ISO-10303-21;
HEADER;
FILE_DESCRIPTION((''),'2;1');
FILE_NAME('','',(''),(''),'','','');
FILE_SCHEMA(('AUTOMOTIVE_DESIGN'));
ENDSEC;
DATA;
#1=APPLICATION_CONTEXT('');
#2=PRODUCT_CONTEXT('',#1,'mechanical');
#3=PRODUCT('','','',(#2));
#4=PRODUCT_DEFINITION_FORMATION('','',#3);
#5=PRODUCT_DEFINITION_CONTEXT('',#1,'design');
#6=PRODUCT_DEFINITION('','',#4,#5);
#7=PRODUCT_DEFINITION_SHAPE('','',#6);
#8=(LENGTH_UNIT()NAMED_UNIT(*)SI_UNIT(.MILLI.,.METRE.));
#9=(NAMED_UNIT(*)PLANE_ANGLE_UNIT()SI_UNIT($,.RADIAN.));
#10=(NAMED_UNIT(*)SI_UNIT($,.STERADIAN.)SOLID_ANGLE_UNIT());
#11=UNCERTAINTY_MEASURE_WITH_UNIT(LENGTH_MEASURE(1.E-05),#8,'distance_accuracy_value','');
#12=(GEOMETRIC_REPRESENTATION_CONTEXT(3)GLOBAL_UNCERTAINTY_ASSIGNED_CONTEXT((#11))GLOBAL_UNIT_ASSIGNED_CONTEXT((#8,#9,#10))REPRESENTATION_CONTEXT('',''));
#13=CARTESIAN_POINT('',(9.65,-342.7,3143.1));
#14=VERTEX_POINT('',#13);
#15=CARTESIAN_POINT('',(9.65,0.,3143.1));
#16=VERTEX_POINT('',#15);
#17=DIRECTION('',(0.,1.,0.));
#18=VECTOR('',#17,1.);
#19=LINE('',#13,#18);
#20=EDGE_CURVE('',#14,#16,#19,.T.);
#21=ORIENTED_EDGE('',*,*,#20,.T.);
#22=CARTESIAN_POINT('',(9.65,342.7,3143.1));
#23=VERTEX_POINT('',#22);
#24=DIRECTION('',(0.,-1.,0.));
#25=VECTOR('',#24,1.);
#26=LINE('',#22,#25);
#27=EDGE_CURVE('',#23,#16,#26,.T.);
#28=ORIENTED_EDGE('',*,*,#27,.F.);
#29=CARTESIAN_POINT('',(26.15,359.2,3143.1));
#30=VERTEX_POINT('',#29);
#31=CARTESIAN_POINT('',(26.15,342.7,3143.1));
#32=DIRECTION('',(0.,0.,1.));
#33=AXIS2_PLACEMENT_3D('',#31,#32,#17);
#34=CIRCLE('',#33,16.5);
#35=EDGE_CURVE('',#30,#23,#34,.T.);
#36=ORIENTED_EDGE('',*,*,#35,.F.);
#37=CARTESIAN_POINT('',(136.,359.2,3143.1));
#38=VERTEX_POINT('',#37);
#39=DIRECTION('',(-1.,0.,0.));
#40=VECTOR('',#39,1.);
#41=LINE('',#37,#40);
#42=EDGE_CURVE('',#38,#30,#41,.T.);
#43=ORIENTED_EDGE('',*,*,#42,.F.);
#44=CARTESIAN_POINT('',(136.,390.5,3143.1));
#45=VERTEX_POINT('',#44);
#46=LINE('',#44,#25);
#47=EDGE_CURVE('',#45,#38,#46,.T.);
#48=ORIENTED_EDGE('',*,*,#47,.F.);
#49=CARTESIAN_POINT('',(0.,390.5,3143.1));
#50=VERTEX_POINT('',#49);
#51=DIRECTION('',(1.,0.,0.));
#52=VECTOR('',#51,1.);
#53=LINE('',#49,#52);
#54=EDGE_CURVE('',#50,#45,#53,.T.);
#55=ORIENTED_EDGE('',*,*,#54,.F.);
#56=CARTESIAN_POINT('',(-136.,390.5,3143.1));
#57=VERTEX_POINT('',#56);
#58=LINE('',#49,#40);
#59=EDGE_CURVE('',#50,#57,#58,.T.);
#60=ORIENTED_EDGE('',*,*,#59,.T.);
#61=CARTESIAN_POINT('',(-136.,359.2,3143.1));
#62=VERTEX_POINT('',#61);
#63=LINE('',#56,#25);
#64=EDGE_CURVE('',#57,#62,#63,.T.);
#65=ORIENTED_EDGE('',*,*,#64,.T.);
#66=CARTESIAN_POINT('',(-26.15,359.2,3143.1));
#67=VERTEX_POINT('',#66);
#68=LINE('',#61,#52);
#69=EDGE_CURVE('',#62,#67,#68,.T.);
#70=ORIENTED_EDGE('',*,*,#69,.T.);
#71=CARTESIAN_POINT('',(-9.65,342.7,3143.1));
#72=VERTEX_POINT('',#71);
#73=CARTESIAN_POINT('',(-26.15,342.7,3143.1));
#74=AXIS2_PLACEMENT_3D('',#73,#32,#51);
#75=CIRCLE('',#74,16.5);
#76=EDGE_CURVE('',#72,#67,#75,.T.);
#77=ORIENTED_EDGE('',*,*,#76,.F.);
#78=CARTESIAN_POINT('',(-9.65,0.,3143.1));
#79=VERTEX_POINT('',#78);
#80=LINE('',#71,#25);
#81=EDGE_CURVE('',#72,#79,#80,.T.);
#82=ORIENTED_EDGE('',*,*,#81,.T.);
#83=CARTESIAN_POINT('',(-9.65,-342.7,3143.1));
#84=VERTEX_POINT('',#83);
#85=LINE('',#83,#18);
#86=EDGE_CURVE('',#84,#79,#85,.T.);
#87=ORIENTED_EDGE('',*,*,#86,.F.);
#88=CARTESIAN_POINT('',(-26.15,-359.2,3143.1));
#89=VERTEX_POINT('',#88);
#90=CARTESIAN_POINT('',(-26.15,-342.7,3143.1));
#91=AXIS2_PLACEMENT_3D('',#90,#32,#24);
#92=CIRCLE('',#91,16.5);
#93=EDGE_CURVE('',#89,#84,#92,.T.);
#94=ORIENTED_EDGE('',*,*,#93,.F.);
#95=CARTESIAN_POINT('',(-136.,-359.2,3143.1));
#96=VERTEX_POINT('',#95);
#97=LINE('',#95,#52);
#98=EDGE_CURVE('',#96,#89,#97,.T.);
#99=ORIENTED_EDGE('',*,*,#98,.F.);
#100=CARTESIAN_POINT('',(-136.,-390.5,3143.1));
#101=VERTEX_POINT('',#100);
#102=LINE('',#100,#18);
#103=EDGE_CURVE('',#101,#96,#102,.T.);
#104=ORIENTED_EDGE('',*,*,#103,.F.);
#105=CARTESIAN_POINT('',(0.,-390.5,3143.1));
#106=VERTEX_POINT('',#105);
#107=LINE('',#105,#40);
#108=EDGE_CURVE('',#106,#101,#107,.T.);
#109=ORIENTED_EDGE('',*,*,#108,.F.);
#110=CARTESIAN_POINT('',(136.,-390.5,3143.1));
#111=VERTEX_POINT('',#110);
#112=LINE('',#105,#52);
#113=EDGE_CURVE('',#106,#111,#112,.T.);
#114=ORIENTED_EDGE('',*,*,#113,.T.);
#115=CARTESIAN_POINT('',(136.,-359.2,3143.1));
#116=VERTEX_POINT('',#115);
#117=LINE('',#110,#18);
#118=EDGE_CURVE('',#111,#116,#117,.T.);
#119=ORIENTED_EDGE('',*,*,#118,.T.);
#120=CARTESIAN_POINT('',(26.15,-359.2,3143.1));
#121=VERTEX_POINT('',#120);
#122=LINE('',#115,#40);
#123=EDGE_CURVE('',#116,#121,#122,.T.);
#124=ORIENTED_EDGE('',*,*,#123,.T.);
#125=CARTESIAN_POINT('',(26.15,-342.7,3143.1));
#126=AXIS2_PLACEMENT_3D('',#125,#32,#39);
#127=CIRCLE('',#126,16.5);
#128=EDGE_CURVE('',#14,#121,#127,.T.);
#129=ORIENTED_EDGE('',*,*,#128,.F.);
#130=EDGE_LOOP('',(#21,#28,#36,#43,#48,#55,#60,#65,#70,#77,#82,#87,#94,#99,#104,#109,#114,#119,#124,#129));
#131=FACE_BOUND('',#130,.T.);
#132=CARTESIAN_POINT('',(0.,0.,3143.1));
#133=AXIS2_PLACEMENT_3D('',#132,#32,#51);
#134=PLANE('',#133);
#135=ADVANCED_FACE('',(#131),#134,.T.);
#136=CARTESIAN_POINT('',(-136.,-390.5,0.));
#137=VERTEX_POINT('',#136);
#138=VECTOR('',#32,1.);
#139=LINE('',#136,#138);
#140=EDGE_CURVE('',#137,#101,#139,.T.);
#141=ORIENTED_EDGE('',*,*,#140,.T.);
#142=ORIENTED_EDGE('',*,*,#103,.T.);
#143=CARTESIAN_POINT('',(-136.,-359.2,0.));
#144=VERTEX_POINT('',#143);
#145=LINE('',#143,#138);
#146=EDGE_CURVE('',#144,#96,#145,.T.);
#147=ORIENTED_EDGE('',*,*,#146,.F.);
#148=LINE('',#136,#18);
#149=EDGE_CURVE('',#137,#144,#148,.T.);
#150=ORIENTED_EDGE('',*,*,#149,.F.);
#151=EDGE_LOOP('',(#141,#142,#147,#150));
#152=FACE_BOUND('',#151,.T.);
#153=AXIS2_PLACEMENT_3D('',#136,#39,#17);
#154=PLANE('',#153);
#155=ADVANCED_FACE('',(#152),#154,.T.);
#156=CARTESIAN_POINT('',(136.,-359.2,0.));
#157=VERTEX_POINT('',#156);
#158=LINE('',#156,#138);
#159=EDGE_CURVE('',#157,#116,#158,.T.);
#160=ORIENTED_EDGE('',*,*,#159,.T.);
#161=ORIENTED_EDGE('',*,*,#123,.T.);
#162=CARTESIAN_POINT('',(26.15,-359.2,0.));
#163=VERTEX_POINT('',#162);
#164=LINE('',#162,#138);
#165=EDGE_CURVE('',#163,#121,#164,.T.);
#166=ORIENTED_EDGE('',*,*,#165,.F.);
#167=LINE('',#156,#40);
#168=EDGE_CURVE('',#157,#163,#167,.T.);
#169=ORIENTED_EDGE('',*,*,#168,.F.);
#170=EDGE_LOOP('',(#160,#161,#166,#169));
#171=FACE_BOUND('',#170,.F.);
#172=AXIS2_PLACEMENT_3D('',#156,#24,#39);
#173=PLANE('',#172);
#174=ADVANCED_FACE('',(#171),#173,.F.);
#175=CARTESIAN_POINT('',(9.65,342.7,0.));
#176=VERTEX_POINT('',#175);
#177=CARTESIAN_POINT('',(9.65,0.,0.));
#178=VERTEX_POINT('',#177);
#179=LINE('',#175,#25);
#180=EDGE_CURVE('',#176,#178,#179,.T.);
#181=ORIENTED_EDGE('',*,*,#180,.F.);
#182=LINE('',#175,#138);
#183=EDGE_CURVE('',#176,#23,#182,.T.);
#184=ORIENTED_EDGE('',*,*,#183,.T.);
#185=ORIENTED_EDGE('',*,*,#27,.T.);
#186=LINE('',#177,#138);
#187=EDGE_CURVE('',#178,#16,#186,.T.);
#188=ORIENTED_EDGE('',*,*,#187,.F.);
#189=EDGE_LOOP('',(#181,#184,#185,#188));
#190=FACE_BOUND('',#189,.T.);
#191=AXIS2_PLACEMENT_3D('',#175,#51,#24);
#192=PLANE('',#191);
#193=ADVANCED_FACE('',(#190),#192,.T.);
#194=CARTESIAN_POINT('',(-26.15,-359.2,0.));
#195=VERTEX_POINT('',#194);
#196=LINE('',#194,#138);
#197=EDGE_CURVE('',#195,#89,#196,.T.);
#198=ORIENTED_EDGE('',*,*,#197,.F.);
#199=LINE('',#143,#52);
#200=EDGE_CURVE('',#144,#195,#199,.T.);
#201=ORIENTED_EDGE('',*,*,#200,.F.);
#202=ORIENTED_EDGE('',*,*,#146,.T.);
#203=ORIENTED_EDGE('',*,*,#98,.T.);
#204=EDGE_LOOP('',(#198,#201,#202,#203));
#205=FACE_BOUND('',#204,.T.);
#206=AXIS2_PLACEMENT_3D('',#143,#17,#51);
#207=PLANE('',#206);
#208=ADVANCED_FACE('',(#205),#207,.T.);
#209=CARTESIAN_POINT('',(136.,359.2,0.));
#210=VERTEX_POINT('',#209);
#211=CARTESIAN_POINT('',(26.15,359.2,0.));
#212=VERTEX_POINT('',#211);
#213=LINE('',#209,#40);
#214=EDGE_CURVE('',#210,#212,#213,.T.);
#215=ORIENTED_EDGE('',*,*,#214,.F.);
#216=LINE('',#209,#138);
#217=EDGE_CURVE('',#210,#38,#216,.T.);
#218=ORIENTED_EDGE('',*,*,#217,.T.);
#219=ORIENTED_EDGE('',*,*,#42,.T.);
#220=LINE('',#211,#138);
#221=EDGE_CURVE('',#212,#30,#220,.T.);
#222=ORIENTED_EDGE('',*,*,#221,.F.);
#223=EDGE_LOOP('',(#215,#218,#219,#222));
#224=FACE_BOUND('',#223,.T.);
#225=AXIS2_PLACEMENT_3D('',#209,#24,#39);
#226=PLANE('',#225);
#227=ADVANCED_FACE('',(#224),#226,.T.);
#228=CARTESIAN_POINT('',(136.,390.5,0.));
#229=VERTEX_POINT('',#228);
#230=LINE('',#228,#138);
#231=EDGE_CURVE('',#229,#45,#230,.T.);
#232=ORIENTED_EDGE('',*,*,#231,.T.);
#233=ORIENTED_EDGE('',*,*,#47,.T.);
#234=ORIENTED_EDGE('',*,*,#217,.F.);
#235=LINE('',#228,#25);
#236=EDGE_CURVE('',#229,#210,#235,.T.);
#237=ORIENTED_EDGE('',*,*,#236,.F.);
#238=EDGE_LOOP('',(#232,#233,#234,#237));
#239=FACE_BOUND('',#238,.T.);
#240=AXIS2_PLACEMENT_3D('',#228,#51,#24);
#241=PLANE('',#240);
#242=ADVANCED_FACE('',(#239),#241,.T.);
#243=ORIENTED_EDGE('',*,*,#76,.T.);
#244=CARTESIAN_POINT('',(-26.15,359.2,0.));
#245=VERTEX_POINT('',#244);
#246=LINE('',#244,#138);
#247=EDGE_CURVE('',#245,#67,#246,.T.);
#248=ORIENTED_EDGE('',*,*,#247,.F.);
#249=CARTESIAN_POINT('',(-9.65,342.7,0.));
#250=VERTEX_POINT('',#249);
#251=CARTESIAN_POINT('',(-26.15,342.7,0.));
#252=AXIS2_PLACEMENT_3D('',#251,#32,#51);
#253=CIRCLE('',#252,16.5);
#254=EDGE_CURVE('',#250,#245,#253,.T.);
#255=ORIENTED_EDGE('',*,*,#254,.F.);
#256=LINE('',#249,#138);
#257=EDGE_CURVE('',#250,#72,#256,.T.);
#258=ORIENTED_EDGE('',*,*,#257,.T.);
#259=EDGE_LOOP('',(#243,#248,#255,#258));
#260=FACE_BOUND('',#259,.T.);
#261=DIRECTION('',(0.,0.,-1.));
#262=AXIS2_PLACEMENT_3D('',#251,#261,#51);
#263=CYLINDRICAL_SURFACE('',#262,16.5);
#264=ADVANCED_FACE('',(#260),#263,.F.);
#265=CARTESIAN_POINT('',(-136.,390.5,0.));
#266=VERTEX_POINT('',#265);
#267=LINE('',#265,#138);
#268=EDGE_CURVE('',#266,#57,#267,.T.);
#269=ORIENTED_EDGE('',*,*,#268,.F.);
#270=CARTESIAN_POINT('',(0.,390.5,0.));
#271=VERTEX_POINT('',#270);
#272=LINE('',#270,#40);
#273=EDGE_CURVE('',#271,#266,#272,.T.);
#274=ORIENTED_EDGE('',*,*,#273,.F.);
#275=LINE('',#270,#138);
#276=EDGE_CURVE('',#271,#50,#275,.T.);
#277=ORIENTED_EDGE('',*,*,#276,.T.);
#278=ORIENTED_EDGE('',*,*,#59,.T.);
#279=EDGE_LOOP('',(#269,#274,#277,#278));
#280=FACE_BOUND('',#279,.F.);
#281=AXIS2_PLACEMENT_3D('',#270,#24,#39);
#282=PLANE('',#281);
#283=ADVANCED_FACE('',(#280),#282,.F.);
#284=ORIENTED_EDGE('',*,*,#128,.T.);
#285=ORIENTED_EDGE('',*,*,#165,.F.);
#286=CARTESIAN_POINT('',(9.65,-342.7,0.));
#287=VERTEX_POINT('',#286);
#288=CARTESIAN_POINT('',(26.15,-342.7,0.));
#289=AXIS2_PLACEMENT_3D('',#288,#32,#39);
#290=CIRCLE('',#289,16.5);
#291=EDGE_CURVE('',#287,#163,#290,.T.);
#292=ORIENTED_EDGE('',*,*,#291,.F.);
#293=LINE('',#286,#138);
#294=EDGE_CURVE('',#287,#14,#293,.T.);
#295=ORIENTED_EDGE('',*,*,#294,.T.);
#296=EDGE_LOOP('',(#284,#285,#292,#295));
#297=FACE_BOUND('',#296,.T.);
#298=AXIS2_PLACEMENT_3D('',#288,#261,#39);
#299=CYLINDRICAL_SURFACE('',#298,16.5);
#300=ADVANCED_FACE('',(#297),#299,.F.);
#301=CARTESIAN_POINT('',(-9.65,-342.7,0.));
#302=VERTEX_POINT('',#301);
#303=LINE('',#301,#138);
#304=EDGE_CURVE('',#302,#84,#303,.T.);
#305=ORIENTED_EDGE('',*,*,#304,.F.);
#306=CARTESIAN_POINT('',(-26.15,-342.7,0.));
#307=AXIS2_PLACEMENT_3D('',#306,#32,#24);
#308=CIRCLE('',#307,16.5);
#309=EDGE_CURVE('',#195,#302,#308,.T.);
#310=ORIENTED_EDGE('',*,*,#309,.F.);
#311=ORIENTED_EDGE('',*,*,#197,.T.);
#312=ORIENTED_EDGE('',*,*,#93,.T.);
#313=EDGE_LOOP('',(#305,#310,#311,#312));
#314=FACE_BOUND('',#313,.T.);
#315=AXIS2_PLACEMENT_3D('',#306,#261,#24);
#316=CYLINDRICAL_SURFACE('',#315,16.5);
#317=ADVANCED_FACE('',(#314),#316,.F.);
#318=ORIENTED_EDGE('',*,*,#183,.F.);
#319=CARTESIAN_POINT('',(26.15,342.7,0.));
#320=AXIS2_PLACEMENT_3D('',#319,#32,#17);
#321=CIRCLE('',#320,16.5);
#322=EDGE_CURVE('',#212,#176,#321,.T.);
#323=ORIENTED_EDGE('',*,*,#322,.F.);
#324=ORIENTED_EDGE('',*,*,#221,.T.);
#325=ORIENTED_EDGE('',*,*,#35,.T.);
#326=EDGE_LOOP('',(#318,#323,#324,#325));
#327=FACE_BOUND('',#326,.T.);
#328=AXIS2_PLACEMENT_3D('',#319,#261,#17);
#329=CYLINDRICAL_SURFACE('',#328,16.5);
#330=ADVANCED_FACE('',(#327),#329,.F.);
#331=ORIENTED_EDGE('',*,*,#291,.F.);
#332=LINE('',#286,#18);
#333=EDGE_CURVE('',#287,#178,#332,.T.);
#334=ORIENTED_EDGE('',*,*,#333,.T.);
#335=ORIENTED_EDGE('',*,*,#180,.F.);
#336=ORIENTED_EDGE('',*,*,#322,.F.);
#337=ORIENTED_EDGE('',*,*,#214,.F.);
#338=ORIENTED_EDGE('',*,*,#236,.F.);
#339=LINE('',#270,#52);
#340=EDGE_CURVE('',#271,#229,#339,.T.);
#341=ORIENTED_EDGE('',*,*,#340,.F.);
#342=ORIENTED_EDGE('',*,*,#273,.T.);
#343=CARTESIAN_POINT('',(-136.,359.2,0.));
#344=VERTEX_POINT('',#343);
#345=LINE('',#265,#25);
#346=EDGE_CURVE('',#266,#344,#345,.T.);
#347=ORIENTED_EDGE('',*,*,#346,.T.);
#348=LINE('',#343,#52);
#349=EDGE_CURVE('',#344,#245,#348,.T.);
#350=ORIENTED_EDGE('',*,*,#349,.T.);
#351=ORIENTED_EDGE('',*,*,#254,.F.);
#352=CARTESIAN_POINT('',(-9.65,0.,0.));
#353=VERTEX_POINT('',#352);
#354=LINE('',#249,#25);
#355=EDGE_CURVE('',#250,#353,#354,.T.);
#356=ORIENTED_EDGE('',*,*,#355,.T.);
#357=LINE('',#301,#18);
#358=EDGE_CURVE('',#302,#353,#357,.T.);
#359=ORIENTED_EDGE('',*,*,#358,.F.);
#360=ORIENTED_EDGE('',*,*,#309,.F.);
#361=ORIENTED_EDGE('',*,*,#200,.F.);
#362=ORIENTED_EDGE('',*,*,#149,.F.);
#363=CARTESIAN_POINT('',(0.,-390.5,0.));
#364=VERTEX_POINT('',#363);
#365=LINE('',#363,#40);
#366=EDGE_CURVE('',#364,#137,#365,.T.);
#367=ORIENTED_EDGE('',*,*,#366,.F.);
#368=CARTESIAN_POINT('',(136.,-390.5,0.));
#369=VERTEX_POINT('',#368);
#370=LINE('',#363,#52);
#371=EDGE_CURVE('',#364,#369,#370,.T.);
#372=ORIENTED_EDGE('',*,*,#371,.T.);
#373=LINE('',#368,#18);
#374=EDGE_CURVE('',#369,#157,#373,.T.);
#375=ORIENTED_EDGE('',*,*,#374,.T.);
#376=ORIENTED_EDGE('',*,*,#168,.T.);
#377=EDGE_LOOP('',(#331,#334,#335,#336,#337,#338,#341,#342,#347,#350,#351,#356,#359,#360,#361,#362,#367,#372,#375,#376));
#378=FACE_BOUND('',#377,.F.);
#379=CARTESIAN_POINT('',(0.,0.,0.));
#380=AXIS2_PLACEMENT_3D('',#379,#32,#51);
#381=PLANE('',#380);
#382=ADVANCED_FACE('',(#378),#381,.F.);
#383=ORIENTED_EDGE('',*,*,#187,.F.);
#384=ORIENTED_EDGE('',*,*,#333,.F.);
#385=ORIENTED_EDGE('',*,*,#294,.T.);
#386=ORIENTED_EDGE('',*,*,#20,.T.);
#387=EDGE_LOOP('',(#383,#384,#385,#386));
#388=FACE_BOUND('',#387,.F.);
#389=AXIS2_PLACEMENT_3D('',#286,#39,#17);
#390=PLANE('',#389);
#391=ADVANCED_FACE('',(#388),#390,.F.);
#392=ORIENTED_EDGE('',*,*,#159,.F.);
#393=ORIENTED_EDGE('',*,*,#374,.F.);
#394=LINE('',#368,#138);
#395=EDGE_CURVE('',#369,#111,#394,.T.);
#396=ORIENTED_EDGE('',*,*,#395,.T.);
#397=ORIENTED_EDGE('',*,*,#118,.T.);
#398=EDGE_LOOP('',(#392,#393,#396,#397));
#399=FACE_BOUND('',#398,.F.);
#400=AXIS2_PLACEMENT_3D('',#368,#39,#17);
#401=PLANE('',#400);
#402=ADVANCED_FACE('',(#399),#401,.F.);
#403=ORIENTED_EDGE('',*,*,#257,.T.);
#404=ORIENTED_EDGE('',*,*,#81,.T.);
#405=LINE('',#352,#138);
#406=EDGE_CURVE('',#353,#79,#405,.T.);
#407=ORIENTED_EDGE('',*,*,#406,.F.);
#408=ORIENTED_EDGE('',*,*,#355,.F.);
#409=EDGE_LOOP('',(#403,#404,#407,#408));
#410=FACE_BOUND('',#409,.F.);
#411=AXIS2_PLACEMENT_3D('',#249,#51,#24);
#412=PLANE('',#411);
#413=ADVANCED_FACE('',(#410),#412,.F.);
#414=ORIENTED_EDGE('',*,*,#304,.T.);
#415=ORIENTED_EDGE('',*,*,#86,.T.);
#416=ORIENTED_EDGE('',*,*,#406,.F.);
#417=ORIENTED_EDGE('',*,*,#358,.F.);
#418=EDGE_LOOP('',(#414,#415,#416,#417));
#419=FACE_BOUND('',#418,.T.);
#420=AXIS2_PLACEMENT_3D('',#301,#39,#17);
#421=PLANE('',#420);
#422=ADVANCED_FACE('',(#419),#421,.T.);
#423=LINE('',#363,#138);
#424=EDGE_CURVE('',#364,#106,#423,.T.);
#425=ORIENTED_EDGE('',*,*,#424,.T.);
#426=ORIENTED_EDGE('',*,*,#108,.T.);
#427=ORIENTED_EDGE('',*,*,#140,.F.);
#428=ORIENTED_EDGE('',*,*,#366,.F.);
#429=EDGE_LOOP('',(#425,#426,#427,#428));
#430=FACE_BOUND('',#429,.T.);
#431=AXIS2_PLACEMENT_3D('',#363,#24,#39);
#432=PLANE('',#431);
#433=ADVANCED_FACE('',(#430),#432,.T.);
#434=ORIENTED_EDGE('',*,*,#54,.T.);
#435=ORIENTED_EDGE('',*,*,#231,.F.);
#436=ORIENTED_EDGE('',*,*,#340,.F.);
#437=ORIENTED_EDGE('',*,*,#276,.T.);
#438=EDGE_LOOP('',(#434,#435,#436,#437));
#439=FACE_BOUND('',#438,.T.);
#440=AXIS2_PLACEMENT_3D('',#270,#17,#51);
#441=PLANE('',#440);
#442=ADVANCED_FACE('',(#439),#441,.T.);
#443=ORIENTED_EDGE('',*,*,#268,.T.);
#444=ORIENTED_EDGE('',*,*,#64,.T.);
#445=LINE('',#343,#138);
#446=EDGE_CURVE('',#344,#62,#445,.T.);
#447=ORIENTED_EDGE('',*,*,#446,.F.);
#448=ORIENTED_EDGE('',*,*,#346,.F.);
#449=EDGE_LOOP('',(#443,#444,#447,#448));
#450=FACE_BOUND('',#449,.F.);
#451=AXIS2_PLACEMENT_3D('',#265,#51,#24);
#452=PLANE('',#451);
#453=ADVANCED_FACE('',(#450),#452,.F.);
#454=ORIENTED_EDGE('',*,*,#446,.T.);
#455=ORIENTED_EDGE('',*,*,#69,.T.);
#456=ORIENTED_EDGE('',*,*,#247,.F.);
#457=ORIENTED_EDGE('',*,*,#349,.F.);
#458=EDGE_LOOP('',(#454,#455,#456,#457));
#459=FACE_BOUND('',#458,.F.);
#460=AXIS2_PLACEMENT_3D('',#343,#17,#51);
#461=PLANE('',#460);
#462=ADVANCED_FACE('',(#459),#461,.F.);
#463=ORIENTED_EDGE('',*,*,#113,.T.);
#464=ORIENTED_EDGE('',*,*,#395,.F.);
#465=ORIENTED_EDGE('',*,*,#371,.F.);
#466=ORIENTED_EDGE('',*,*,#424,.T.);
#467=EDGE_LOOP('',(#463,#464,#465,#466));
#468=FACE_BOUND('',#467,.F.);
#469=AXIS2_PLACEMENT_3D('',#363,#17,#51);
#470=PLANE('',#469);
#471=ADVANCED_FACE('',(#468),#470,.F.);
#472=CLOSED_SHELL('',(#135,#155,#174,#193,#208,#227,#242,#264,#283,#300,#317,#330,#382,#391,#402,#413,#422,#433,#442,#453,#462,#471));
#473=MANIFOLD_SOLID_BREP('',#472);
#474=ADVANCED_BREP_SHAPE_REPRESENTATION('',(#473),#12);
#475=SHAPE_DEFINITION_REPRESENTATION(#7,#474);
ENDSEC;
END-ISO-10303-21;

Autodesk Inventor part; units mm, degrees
ref_plane "YZ Plane" through (0, 0, 0) normal (1, 0, 0) x (0, 1, 0)
ref_plane "Start plane" through (0, 0, 0) normal (0, 0, 1) x (1, 0, 0)
ref_plane "End plane" through (0, 0, 3143.1) normal (0, 0, 1) x (1, 0, 0)
sketch "Sketch" plane through (0, 0, 0) normal (0, 0, 1) x (1, 0, 0)
  line L0 (-136, -390.5) -> (-136, -359.2)
  line L1 (-136, -359.2) -> (-26.15, -359.2)
  line L2 (-9.65, -342.7) -> (-9.65, 0)
  line L3 (-9.65, 0) -> (0, 0) construction
  line L4 (0, 0) -> (0, -390.5) construction
  line L5 (0, -390.5) -> (-136, -390.5)
  line L6 (-60, 0) -> (80, 0) construction
  line L7 (0, -60) -> (0, 80) construction
  line L8 (136, -390.5) -> (136, -359.2)
  line L9 (136, -359.2) -> (26.15, -359.2)
  line L10 (9.65, -342.7) -> (9.65, 0)
  line L11 (9.65, 0) -> (0, 0) construction
  line L12 (0, -390.5) -> (136, -390.5)
  line L13 (-136, 390.5) -> (-136, 359.2)
  line L14 (-136, 359.2) -> (-26.15, 359.2)
  line L15 (-9.65, 342.7) -> (-9.65, 0)
  line L16 (0, 390.5) -> (-136, 390.5)
  line L17 (136, 390.5) -> (136, 359.2)
  line L18 (136, 359.2) -> (26.15, 359.2)
  line L19 (0, 390.5) -> (136, 390.5)
  line L20 (9.65, 342.7) -> (9.65, 0)
  arc A0 (-9.65, 342.7) -> (-26.15, 359.2) centre (-26.15, 342.7) ccw
  arc A1 (26.15, 359.2) -> (9.65, 342.7) centre (26.15, 342.7) ccw
  arc A2 (9.65, -342.7) -> (26.15, -359.2) centre (26.15, -342.7) ccw
  arc A3 (-26.15, -359.2) -> (-9.65, -342.7) centre (-26.15, -342.7) ccw
  line L21 (0, 108) -> (0, -88) construction
  line L22 (-88, 0) -> (108, 0) construction
  point P0 (-9.65, -359.2)
  point P1 (9.65, -359.2)
  point P2 (-9.65, 359.2)
  point P3 (9.65, 359.2)
  dimension "d1" = 390.5
  dimension "d2" = 31.3
  dimension "d3" = 136
  dimension "d4" = 9.65
  dimension "d10" = 16.5
extrude "Body" add sketch "Sketch" along normal up to surface (3143.1 mm away) from surface at 0
sketch "Sketch4" plane through (0, 0, 0) normal (0, 0, 1) x (1, 0, 0)
  line L0 (0, 0) -> (10, 0)
ref_plane "Work Plane3" through (0, 0, 0) normal (0, -1, 0) x (1, 0, 0)
sketch "Sketch5" plane through (0, 0, 0) normal (0, -1, 0) x (1, 0, 0)
  line L0 (-2, 0) -> (12, 0) projected
  line L1 (-2, 3143.1) -> (12, 3143.1) projected
  dimension "d14" = 3143.1
equation "\"d1\" = 0.5 * G_H"
equation "\"d2\" = G_T1"
equation "\"d3\" = 0.5 * G_W"
equation "\"d4\" = 0.5 * G_T"
equation "\"d10\" = G_IR"
equation "\"d5\" = G_L"
equation "\"G_W\" = 272"
equation "\"G_H\" = 781"
equation "\"G_T\" = 19.3"
equation "\"G_T1\" = 31.3"
equation "\"G_IR\" = 16.5"
equation "\"G_L\" = d14"
equation "\"G_OFFSET_START\" = 0"
equation "\"G_OFFSET_END\" = 0"
equation "\"d12\" = G_OFFSET_END + B_L"
equation "\"B_L\" = 3143.1"
properties part number "AS 3679-1990 - 760 UB - 244 - 3143.1" material "Steel, Mild"
